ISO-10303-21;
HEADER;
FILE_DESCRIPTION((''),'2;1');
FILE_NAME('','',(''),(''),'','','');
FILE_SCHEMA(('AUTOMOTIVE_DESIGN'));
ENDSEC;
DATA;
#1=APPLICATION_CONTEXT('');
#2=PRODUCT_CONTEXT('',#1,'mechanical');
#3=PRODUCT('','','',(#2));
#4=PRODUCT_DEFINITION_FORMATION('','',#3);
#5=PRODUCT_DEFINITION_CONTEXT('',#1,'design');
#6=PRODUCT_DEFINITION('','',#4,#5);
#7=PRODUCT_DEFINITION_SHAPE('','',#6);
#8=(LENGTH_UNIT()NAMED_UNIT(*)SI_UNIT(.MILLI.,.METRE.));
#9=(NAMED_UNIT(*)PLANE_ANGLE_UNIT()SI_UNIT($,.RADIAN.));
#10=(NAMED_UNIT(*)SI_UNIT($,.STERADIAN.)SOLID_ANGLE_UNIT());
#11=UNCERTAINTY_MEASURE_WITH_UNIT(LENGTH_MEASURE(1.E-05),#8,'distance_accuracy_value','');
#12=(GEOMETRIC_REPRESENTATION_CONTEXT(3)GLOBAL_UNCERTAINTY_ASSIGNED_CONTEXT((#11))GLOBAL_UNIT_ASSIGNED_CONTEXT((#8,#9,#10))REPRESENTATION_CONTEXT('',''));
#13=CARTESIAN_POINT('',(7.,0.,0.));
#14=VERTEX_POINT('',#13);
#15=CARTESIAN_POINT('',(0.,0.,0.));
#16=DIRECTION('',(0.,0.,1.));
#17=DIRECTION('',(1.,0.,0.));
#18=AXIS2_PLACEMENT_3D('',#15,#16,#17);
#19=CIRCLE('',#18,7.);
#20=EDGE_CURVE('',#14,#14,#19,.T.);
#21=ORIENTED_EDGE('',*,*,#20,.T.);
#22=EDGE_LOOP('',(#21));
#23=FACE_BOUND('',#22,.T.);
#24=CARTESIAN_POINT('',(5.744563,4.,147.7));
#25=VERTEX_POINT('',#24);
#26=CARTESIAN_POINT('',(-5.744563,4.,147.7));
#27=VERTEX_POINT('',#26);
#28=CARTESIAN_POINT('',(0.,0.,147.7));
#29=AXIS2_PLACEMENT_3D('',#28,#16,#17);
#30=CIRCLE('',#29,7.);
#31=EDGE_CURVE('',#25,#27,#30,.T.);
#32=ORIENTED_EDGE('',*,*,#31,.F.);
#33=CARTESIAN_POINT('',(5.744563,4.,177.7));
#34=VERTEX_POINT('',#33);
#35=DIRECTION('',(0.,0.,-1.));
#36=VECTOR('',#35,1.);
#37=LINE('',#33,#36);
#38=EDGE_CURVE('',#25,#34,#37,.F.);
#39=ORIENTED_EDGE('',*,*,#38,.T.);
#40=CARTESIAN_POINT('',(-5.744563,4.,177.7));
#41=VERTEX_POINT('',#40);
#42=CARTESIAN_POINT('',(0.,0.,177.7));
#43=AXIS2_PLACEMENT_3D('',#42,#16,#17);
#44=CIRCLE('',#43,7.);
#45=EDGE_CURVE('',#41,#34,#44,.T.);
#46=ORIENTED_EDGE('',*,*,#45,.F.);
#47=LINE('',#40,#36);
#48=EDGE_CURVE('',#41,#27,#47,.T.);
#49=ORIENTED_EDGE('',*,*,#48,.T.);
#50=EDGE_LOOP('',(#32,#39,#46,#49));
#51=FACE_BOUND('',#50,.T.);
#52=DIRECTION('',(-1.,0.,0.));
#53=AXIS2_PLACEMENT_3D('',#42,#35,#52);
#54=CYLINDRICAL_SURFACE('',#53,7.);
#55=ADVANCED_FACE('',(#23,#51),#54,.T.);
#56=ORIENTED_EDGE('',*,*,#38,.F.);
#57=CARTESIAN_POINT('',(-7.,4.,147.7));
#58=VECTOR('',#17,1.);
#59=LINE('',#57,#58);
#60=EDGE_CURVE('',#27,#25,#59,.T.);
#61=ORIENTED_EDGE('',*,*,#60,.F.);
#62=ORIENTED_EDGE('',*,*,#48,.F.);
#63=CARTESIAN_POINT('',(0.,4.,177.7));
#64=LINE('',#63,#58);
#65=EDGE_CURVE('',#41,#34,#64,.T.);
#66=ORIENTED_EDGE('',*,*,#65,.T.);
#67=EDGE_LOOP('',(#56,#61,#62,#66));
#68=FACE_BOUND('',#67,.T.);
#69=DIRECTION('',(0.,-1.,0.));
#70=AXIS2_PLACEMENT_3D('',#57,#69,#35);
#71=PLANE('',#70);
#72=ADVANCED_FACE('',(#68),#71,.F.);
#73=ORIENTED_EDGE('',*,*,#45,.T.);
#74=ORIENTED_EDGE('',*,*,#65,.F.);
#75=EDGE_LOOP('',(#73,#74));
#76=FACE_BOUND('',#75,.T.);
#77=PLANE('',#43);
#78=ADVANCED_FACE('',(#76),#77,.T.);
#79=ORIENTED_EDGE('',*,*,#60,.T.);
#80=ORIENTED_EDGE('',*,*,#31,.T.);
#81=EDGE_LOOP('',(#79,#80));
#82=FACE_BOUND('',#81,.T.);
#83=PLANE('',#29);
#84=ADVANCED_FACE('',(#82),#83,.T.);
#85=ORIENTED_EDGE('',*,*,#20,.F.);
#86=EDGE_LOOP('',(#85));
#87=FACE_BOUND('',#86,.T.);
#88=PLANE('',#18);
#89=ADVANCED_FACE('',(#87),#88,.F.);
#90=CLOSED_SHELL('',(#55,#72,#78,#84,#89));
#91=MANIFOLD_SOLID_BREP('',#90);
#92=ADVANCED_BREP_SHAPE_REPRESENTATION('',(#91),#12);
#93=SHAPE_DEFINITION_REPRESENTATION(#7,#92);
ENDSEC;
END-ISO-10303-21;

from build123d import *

# Parameters (mm, degrees)
SZKIC1_R                    = 7
DODANIE_WYCI_GNI_CIE1_DEPTH = 177.7
SZKIC2_W                    = 14
SZKIC2_H                    = 6
WYTNIJ_WYCI_GNI_CIE1_DEPTH  = 30


with BuildPart() as part:
    # Szkic1 → Dodanie-wyciągnięcie1 (new body)
    with BuildSketch(Plane.XY):
        Circle(SZKIC1_R)
    extrude(amount=DODANIE_WYCI_GNI_CIE1_DEPTH)

    # Szkic2 → Wytnij-wyciągnięcie1 (cut)
    with BuildSketch(Plane.XY.offset(177.7)):
        with Locations((0, 7)):
            Rectangle(SZKIC2_W, SZKIC2_H)
    extrude(amount=-WYTNIJ_WYCI_GNI_CIE1_DEPTH, mode=Mode.SUBTRACT)


solid = part.part
